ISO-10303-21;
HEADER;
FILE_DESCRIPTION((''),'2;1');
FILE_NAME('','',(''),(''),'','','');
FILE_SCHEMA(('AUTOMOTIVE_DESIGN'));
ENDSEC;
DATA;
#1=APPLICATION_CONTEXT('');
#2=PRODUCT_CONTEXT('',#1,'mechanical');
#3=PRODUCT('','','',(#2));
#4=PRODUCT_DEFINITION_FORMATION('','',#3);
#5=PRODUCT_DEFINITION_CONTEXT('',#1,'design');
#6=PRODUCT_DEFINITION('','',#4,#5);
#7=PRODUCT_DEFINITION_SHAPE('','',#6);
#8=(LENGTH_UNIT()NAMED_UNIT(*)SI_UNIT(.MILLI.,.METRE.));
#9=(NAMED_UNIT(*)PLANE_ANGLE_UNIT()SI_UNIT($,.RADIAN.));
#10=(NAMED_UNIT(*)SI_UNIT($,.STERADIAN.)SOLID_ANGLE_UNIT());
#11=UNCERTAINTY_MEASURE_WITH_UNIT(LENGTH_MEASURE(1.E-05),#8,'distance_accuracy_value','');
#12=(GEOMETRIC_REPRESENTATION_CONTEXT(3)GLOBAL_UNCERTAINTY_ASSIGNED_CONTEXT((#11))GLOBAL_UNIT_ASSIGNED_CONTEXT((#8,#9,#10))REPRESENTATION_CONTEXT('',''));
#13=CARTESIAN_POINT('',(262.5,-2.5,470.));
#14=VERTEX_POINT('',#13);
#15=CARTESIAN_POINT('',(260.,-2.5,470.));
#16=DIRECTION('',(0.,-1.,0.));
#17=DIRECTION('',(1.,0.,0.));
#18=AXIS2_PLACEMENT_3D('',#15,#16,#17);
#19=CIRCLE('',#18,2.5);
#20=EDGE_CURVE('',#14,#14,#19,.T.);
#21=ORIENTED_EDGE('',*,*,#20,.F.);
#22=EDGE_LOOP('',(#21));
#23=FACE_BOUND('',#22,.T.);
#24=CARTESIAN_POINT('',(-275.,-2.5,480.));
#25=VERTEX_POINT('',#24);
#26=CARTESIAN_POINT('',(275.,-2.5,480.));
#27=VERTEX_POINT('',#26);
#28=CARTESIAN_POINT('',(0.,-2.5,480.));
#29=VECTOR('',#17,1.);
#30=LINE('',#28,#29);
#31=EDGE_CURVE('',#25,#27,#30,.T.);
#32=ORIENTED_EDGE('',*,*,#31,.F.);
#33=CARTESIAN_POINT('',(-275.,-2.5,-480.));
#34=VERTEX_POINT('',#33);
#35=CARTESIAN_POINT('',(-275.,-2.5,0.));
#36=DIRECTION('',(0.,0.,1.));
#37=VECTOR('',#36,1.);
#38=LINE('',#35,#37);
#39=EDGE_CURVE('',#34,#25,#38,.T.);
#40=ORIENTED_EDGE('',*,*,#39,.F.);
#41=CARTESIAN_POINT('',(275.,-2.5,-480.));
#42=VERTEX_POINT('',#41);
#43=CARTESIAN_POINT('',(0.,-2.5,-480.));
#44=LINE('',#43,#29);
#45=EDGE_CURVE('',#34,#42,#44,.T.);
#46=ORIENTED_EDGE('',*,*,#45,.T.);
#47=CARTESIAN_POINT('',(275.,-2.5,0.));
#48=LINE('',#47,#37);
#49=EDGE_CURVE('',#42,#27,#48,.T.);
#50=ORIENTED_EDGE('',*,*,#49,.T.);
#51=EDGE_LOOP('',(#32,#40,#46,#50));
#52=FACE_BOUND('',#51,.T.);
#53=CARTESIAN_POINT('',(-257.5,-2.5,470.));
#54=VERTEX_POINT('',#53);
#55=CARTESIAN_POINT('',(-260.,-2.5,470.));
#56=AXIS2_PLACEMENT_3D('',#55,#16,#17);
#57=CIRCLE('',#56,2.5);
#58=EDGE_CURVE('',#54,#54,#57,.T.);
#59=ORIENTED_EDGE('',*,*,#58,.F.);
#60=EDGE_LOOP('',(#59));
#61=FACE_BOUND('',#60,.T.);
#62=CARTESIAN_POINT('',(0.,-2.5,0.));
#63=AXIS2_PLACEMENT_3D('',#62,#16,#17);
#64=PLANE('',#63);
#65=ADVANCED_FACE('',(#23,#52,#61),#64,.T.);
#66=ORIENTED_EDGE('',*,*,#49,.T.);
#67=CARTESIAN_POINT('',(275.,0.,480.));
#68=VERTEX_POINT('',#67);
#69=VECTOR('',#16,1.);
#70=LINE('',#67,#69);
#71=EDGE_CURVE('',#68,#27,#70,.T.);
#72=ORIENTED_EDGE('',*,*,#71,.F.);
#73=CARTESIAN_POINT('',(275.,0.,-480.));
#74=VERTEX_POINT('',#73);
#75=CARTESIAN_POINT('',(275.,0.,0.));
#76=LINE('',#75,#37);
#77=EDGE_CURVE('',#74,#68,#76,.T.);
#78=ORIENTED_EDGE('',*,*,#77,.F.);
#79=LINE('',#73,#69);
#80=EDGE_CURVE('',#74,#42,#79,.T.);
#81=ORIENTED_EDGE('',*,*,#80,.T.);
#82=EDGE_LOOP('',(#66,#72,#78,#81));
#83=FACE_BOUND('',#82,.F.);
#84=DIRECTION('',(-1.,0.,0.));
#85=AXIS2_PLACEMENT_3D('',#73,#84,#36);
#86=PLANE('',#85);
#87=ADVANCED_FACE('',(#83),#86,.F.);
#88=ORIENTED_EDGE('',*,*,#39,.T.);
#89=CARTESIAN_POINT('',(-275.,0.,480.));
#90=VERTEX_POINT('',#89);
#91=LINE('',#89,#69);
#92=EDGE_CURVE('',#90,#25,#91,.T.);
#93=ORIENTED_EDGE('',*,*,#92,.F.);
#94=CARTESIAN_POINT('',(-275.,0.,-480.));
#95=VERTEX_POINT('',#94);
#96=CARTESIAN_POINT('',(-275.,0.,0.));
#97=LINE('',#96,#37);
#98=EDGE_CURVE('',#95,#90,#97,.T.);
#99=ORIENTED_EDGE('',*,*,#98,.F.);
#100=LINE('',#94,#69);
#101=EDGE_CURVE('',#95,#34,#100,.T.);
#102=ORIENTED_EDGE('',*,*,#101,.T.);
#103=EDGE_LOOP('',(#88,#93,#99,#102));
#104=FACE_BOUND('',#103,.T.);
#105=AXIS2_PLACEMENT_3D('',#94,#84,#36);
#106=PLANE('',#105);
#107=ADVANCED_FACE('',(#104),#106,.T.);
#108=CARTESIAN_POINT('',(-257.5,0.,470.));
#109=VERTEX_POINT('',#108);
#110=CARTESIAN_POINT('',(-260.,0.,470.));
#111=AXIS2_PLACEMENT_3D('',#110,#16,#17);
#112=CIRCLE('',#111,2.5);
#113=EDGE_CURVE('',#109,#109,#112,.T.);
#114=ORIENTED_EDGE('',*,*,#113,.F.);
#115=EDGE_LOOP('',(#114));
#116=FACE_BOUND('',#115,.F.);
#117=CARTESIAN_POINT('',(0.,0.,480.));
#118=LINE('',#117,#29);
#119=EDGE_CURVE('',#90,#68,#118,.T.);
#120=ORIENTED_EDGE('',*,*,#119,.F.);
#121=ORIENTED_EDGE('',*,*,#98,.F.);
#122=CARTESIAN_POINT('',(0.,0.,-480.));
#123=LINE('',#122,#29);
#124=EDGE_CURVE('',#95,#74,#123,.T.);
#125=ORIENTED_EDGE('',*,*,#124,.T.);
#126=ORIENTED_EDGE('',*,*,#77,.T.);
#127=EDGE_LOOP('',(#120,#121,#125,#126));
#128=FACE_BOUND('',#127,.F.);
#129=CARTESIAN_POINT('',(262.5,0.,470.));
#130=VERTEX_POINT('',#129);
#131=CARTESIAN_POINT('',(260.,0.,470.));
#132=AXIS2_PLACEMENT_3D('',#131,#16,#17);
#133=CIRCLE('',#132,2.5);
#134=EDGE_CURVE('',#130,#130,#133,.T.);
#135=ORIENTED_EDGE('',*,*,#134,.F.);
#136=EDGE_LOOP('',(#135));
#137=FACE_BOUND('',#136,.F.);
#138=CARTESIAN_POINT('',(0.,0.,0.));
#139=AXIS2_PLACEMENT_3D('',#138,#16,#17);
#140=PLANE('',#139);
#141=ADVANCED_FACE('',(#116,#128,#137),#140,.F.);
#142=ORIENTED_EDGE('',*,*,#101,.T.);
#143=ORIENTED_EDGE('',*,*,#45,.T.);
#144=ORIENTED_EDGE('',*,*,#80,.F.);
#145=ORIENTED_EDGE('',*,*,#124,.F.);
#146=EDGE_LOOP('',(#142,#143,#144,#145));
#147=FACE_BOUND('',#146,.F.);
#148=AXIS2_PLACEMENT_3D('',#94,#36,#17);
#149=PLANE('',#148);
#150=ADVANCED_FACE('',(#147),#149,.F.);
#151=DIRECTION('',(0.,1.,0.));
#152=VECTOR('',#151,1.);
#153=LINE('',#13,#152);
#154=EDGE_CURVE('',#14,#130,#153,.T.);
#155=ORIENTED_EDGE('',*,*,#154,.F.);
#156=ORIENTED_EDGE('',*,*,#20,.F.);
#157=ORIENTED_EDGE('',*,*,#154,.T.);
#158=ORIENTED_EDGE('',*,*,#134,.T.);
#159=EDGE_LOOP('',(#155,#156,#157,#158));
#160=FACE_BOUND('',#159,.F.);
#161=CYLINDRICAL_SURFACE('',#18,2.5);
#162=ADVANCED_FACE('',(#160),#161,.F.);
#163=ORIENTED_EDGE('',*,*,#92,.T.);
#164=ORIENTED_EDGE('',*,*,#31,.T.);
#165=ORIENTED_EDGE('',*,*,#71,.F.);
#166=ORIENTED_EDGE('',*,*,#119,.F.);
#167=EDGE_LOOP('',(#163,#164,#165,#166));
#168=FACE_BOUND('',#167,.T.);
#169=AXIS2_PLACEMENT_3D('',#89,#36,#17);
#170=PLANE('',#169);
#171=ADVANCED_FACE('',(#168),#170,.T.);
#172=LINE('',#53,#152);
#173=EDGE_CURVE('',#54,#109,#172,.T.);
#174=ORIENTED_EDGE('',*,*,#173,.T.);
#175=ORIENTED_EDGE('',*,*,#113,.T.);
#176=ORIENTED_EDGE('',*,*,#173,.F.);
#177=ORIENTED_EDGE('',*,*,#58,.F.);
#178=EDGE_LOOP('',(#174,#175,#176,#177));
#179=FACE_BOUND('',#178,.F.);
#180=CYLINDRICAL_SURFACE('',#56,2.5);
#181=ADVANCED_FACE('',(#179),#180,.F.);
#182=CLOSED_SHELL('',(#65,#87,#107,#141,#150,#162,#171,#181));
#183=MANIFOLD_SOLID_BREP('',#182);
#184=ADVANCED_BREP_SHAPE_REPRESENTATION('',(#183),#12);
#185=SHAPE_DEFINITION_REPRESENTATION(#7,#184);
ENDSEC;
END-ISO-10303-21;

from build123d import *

# Parameters (mm, degrees)
F0_W     = 550
F0_H     = 960
F1_DEPTH = 2.5
F3_R     = 2.5
F4_DEPTH = 2.501


with BuildPart() as f1:
    # F0 (on Front) → F1 (new body)
    with BuildSketch(Plane.XZ):
        Rectangle(F0_W, F0_H)
    extrude(amount=F1_DEPTH)

    # F3 (on face) → F4 (cut, through all)
    with BuildSketch(Plane.XZ.offset(2.5)):
        with Locations((-260, 470)):
            Circle(F3_R)
        with Locations((260, 470)):
            Circle(F3_R)
    extrude(amount=-F4_DEPTH, mode=Mode.SUBTRACT)


solid = f1.part
